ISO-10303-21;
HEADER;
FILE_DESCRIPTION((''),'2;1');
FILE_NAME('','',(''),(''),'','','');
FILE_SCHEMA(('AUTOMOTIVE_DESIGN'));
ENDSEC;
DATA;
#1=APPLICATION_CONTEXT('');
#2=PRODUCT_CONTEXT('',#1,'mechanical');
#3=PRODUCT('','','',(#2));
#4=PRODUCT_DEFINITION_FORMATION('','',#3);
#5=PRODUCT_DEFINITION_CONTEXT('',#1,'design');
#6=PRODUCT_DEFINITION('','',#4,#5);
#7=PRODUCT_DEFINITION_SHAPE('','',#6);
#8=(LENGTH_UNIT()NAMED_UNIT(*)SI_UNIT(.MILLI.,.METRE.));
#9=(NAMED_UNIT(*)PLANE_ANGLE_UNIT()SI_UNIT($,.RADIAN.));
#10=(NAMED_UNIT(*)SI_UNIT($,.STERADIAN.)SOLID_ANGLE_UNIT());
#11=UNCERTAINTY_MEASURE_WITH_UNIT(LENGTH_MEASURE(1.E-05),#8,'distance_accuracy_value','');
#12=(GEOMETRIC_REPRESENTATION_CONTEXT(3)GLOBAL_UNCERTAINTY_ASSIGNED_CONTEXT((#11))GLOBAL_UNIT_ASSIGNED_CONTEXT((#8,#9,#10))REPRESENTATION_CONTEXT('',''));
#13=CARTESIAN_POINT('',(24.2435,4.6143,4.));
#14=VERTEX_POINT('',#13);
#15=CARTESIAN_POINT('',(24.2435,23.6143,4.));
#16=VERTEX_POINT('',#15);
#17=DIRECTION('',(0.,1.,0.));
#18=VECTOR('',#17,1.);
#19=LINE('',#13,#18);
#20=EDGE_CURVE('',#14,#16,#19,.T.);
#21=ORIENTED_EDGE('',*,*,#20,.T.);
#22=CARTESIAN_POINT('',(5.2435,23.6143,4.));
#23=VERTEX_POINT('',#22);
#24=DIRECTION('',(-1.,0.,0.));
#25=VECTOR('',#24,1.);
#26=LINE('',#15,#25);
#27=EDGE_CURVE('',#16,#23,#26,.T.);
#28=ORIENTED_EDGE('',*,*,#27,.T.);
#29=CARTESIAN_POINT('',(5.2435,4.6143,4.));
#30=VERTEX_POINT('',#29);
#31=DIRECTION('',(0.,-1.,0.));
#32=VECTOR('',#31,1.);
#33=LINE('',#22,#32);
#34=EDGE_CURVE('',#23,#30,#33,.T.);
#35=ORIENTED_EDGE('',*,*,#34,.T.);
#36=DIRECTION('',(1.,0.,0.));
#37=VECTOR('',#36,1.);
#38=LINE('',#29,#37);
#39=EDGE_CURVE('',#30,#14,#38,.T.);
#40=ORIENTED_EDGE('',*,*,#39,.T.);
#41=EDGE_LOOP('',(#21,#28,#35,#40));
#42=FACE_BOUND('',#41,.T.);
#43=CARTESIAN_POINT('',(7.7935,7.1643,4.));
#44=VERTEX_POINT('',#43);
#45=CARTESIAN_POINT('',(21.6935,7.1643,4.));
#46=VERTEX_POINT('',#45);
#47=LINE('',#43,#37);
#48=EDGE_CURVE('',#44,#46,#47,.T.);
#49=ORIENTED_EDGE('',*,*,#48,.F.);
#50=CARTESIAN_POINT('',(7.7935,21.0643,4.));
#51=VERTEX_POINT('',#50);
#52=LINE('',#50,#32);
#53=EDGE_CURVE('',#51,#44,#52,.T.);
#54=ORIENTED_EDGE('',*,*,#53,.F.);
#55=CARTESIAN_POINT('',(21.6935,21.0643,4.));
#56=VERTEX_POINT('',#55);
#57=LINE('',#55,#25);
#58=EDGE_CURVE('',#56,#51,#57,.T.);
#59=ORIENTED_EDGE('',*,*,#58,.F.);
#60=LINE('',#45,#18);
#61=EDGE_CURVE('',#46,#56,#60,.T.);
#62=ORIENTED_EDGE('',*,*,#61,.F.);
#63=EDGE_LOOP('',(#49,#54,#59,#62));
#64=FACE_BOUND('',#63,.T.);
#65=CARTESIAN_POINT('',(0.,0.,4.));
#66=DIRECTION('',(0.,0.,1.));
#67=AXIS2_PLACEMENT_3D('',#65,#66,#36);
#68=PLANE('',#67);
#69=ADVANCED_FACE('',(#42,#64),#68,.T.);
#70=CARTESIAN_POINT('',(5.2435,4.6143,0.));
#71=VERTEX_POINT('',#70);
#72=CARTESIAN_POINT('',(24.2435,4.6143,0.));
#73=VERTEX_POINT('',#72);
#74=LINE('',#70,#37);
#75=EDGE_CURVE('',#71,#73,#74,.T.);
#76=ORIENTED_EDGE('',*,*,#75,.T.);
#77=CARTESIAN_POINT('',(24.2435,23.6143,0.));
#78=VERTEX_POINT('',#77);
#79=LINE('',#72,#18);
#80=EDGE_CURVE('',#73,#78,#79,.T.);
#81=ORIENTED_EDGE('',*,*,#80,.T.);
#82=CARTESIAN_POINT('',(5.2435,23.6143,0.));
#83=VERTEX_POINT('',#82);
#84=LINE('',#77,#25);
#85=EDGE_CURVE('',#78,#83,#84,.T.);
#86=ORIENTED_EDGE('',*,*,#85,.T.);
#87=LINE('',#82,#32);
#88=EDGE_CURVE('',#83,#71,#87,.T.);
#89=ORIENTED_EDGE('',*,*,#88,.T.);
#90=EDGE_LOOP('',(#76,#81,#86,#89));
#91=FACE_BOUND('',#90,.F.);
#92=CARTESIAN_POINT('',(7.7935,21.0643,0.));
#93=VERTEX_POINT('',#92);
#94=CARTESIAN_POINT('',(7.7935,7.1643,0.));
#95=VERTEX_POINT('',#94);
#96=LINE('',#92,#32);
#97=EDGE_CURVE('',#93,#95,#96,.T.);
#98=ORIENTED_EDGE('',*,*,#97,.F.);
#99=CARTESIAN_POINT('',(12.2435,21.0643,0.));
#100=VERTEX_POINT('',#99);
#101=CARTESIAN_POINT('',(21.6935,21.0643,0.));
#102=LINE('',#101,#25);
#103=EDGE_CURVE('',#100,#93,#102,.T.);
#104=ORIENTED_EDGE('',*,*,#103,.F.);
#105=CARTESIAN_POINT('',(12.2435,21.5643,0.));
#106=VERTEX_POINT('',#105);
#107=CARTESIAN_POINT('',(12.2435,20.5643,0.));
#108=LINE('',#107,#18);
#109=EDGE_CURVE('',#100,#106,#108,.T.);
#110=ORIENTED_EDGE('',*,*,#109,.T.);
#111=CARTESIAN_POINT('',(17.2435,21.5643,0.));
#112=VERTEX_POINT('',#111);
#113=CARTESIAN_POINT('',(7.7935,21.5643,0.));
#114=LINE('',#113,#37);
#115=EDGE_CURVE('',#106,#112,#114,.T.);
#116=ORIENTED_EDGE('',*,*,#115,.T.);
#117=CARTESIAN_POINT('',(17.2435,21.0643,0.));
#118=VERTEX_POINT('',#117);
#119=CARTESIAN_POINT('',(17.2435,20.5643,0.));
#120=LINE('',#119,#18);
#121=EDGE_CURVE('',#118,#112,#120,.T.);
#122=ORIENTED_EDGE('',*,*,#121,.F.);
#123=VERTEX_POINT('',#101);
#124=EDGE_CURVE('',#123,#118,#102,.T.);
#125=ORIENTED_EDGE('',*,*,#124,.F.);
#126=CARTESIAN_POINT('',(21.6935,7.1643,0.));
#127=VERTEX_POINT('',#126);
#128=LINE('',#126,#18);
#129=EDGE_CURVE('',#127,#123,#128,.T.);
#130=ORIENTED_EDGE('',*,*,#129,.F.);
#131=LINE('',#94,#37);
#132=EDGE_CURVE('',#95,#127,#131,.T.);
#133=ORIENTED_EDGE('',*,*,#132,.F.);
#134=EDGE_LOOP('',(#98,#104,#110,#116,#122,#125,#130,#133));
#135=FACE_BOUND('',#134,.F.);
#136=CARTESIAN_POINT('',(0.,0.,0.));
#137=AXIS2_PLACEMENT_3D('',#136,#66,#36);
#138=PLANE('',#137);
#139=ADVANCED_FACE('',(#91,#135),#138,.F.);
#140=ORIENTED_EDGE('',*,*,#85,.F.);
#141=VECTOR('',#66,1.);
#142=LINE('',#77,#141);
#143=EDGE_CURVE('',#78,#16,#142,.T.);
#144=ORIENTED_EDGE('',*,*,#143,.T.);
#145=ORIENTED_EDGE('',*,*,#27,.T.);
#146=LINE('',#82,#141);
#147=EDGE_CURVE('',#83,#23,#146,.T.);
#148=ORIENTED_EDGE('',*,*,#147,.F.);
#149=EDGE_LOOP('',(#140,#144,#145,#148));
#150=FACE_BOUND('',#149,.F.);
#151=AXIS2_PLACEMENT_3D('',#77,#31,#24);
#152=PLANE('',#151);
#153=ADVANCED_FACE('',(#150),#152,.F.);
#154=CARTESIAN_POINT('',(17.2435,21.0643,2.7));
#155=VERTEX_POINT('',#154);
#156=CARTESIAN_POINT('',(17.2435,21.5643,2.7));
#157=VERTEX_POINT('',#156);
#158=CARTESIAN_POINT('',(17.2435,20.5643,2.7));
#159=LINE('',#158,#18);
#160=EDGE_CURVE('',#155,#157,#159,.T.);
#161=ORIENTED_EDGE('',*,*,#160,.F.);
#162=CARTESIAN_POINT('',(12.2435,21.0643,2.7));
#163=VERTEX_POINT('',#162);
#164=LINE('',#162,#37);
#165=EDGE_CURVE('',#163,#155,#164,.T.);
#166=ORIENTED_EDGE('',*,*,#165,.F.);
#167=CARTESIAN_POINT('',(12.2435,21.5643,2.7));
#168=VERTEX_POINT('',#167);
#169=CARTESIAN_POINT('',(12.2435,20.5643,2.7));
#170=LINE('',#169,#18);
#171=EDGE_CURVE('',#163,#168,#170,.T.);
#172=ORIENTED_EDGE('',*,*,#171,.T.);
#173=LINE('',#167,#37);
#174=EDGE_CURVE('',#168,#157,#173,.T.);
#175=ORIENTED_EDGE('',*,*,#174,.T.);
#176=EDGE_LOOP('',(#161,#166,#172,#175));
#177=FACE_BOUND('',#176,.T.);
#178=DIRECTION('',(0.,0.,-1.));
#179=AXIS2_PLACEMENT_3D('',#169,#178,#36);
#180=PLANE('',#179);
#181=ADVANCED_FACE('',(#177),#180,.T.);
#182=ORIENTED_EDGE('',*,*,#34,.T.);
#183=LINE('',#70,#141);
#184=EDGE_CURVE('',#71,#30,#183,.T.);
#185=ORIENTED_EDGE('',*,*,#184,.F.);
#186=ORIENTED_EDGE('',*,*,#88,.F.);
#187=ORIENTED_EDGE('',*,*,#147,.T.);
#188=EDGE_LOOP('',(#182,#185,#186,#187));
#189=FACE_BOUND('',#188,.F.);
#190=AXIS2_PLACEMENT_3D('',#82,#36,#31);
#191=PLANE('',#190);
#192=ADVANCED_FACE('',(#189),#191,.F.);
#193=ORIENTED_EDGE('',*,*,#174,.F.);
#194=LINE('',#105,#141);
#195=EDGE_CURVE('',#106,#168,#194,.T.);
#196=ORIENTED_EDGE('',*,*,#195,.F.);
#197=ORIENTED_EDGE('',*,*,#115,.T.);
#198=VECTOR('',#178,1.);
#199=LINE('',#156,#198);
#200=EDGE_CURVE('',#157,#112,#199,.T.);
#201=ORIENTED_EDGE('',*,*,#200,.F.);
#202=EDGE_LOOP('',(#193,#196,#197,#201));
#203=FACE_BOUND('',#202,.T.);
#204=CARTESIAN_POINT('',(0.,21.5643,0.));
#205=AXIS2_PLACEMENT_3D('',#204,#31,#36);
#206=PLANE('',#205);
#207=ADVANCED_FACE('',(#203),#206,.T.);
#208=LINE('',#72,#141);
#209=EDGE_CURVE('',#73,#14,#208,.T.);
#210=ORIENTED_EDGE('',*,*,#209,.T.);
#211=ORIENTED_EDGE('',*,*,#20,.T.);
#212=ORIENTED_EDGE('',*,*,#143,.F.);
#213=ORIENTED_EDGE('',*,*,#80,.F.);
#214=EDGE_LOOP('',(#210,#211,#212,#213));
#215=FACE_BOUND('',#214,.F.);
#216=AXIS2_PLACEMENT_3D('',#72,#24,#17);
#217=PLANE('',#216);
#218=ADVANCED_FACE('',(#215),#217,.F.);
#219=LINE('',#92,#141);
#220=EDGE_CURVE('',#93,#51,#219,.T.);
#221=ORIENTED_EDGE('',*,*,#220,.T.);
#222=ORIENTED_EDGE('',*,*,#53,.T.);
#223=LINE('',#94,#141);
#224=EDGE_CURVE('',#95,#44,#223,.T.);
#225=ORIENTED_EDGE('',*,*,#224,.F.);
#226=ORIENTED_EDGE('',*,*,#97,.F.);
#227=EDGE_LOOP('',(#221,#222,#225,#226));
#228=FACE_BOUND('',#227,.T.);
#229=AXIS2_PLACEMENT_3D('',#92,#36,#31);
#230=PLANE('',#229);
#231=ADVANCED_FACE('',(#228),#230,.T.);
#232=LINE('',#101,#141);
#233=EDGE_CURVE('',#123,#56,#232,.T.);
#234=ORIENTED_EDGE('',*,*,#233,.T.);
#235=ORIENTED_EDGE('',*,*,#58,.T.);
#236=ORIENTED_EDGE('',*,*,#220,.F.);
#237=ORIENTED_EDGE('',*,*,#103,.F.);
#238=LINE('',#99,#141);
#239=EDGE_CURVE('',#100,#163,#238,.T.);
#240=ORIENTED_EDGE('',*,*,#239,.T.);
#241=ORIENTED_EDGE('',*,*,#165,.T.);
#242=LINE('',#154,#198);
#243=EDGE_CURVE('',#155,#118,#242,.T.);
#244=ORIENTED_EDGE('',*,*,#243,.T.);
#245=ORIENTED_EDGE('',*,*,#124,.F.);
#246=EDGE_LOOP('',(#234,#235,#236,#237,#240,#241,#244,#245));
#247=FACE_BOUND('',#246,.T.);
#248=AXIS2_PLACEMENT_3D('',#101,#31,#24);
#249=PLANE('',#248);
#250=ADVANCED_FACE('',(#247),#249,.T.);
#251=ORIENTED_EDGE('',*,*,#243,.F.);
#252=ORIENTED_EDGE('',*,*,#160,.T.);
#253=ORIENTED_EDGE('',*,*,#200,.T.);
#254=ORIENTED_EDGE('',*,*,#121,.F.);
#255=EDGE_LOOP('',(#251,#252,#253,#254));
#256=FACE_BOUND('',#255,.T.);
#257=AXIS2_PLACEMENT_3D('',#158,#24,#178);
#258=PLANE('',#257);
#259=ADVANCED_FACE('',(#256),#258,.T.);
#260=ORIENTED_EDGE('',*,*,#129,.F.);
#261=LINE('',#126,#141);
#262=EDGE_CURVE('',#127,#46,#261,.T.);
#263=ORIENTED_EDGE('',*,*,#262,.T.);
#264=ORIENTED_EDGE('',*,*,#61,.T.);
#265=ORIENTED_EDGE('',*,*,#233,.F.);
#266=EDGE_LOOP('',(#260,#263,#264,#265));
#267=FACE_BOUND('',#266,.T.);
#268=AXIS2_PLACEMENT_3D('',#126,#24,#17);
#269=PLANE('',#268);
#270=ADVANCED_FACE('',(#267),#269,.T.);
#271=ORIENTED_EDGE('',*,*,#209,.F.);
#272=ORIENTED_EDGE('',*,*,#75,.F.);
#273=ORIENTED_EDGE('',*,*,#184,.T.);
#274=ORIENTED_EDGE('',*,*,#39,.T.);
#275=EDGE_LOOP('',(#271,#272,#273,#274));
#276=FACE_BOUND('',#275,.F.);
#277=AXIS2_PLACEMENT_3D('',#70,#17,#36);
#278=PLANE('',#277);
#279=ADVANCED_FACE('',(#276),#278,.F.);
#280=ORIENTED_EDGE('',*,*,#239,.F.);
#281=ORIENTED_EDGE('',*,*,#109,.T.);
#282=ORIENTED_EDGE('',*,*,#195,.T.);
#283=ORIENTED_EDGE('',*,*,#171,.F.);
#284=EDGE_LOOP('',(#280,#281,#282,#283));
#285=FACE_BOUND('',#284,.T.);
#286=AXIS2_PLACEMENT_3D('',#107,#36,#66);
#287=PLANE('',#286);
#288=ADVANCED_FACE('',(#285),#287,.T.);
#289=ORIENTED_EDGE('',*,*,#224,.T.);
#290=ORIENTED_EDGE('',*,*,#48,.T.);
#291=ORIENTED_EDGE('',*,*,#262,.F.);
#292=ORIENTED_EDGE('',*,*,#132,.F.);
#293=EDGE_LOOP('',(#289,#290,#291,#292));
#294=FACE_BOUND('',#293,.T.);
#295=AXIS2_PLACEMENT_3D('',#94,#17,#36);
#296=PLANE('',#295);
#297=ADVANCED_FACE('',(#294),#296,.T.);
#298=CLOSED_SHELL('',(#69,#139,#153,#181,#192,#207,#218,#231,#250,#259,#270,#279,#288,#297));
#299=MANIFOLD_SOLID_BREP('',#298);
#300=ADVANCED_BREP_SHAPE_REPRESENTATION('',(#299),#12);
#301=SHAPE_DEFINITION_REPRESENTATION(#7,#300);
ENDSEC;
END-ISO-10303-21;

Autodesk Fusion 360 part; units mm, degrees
sketch "Sketch1" plane through (0, 0, 0) normal (0, 0, 1) x (1, 0, 0)
  line L0 (5.2435, 4.6143) -> (24.2435, 4.6143)
  line L1 (24.2435, 4.6143) -> (24.2435, 23.6143)
  line L2 (24.2435, 23.6143) -> (5.2435, 23.6143)
  line L3 (5.2435, 23.6143) -> (5.2435, 4.6143)
  line L4 (5.2435, 23.6143) -> (24.2435, 4.6143) construction
  line L5 (24.2435, 23.6143) -> (5.2435, 4.6143) construction
  line L6 (5.2435, 4.6143) -> (10.3435, 4.6143) construction
  line L7 (5.2435, 4.6143) -> (7.7935, 4.6143) construction
  line L8 (7.7935, 4.6143) -> (7.7935, 23.6143) construction
  line L9 (7.7935, 7.1643) -> (21.6935, 7.1643)
  line L10 (21.6935, 7.1643) -> (21.6935, 21.0643)
  line L11 (21.6935, 21.0643) -> (7.7935, 21.0643)
  line L12 (7.7935, 21.0643) -> (7.7935, 7.1643)
  dimension "d1" = 19
  dimension "d2" = 19
  dimension "d4" = 2.55
  dimension "d5" = 13.9
  dimension "d6" = 13.9
extrude "Extrude1" add sketch "Sketch1" along normal blind 4
sketch "Sketch2" plane through (0, 21.0643, 0) normal (0, -1, 0) x (1, 0, 0)
  line L0 (7.7935, 0) -> (21.6935, 0)
  line L1 (21.6935, 0) -> (21.6935, 4)
  line L2 (21.6935, 4) -> (7.7935, 4)
  line L3 (7.7935, 4) -> (7.7935, 0)
  line L4 (14.7435, 0) -> (17.2435, 0) construction
  line L5 (17.2435, 0) -> (12.2435, 0)
  line L6 (12.2435, 0) -> (12.2435, 2.7)
  line L7 (12.2435, 2.7) -> (17.2435, 2.7)
  line L8 (17.2435, 2.7) -> (17.2435, 0)
  dimension "d9" = 2.5
  dimension "d10" = 5
  dimension "d11" = 2.7
extrude "Extrude2" add sketch "Sketch2" along normal blind 0.5 contours L0 L5 L6 L7 L8
extrude "Extrude3" cut 1 faces at (13.9102, 20.5643, 0.9) along direction (0, 1, 0) blind 1
